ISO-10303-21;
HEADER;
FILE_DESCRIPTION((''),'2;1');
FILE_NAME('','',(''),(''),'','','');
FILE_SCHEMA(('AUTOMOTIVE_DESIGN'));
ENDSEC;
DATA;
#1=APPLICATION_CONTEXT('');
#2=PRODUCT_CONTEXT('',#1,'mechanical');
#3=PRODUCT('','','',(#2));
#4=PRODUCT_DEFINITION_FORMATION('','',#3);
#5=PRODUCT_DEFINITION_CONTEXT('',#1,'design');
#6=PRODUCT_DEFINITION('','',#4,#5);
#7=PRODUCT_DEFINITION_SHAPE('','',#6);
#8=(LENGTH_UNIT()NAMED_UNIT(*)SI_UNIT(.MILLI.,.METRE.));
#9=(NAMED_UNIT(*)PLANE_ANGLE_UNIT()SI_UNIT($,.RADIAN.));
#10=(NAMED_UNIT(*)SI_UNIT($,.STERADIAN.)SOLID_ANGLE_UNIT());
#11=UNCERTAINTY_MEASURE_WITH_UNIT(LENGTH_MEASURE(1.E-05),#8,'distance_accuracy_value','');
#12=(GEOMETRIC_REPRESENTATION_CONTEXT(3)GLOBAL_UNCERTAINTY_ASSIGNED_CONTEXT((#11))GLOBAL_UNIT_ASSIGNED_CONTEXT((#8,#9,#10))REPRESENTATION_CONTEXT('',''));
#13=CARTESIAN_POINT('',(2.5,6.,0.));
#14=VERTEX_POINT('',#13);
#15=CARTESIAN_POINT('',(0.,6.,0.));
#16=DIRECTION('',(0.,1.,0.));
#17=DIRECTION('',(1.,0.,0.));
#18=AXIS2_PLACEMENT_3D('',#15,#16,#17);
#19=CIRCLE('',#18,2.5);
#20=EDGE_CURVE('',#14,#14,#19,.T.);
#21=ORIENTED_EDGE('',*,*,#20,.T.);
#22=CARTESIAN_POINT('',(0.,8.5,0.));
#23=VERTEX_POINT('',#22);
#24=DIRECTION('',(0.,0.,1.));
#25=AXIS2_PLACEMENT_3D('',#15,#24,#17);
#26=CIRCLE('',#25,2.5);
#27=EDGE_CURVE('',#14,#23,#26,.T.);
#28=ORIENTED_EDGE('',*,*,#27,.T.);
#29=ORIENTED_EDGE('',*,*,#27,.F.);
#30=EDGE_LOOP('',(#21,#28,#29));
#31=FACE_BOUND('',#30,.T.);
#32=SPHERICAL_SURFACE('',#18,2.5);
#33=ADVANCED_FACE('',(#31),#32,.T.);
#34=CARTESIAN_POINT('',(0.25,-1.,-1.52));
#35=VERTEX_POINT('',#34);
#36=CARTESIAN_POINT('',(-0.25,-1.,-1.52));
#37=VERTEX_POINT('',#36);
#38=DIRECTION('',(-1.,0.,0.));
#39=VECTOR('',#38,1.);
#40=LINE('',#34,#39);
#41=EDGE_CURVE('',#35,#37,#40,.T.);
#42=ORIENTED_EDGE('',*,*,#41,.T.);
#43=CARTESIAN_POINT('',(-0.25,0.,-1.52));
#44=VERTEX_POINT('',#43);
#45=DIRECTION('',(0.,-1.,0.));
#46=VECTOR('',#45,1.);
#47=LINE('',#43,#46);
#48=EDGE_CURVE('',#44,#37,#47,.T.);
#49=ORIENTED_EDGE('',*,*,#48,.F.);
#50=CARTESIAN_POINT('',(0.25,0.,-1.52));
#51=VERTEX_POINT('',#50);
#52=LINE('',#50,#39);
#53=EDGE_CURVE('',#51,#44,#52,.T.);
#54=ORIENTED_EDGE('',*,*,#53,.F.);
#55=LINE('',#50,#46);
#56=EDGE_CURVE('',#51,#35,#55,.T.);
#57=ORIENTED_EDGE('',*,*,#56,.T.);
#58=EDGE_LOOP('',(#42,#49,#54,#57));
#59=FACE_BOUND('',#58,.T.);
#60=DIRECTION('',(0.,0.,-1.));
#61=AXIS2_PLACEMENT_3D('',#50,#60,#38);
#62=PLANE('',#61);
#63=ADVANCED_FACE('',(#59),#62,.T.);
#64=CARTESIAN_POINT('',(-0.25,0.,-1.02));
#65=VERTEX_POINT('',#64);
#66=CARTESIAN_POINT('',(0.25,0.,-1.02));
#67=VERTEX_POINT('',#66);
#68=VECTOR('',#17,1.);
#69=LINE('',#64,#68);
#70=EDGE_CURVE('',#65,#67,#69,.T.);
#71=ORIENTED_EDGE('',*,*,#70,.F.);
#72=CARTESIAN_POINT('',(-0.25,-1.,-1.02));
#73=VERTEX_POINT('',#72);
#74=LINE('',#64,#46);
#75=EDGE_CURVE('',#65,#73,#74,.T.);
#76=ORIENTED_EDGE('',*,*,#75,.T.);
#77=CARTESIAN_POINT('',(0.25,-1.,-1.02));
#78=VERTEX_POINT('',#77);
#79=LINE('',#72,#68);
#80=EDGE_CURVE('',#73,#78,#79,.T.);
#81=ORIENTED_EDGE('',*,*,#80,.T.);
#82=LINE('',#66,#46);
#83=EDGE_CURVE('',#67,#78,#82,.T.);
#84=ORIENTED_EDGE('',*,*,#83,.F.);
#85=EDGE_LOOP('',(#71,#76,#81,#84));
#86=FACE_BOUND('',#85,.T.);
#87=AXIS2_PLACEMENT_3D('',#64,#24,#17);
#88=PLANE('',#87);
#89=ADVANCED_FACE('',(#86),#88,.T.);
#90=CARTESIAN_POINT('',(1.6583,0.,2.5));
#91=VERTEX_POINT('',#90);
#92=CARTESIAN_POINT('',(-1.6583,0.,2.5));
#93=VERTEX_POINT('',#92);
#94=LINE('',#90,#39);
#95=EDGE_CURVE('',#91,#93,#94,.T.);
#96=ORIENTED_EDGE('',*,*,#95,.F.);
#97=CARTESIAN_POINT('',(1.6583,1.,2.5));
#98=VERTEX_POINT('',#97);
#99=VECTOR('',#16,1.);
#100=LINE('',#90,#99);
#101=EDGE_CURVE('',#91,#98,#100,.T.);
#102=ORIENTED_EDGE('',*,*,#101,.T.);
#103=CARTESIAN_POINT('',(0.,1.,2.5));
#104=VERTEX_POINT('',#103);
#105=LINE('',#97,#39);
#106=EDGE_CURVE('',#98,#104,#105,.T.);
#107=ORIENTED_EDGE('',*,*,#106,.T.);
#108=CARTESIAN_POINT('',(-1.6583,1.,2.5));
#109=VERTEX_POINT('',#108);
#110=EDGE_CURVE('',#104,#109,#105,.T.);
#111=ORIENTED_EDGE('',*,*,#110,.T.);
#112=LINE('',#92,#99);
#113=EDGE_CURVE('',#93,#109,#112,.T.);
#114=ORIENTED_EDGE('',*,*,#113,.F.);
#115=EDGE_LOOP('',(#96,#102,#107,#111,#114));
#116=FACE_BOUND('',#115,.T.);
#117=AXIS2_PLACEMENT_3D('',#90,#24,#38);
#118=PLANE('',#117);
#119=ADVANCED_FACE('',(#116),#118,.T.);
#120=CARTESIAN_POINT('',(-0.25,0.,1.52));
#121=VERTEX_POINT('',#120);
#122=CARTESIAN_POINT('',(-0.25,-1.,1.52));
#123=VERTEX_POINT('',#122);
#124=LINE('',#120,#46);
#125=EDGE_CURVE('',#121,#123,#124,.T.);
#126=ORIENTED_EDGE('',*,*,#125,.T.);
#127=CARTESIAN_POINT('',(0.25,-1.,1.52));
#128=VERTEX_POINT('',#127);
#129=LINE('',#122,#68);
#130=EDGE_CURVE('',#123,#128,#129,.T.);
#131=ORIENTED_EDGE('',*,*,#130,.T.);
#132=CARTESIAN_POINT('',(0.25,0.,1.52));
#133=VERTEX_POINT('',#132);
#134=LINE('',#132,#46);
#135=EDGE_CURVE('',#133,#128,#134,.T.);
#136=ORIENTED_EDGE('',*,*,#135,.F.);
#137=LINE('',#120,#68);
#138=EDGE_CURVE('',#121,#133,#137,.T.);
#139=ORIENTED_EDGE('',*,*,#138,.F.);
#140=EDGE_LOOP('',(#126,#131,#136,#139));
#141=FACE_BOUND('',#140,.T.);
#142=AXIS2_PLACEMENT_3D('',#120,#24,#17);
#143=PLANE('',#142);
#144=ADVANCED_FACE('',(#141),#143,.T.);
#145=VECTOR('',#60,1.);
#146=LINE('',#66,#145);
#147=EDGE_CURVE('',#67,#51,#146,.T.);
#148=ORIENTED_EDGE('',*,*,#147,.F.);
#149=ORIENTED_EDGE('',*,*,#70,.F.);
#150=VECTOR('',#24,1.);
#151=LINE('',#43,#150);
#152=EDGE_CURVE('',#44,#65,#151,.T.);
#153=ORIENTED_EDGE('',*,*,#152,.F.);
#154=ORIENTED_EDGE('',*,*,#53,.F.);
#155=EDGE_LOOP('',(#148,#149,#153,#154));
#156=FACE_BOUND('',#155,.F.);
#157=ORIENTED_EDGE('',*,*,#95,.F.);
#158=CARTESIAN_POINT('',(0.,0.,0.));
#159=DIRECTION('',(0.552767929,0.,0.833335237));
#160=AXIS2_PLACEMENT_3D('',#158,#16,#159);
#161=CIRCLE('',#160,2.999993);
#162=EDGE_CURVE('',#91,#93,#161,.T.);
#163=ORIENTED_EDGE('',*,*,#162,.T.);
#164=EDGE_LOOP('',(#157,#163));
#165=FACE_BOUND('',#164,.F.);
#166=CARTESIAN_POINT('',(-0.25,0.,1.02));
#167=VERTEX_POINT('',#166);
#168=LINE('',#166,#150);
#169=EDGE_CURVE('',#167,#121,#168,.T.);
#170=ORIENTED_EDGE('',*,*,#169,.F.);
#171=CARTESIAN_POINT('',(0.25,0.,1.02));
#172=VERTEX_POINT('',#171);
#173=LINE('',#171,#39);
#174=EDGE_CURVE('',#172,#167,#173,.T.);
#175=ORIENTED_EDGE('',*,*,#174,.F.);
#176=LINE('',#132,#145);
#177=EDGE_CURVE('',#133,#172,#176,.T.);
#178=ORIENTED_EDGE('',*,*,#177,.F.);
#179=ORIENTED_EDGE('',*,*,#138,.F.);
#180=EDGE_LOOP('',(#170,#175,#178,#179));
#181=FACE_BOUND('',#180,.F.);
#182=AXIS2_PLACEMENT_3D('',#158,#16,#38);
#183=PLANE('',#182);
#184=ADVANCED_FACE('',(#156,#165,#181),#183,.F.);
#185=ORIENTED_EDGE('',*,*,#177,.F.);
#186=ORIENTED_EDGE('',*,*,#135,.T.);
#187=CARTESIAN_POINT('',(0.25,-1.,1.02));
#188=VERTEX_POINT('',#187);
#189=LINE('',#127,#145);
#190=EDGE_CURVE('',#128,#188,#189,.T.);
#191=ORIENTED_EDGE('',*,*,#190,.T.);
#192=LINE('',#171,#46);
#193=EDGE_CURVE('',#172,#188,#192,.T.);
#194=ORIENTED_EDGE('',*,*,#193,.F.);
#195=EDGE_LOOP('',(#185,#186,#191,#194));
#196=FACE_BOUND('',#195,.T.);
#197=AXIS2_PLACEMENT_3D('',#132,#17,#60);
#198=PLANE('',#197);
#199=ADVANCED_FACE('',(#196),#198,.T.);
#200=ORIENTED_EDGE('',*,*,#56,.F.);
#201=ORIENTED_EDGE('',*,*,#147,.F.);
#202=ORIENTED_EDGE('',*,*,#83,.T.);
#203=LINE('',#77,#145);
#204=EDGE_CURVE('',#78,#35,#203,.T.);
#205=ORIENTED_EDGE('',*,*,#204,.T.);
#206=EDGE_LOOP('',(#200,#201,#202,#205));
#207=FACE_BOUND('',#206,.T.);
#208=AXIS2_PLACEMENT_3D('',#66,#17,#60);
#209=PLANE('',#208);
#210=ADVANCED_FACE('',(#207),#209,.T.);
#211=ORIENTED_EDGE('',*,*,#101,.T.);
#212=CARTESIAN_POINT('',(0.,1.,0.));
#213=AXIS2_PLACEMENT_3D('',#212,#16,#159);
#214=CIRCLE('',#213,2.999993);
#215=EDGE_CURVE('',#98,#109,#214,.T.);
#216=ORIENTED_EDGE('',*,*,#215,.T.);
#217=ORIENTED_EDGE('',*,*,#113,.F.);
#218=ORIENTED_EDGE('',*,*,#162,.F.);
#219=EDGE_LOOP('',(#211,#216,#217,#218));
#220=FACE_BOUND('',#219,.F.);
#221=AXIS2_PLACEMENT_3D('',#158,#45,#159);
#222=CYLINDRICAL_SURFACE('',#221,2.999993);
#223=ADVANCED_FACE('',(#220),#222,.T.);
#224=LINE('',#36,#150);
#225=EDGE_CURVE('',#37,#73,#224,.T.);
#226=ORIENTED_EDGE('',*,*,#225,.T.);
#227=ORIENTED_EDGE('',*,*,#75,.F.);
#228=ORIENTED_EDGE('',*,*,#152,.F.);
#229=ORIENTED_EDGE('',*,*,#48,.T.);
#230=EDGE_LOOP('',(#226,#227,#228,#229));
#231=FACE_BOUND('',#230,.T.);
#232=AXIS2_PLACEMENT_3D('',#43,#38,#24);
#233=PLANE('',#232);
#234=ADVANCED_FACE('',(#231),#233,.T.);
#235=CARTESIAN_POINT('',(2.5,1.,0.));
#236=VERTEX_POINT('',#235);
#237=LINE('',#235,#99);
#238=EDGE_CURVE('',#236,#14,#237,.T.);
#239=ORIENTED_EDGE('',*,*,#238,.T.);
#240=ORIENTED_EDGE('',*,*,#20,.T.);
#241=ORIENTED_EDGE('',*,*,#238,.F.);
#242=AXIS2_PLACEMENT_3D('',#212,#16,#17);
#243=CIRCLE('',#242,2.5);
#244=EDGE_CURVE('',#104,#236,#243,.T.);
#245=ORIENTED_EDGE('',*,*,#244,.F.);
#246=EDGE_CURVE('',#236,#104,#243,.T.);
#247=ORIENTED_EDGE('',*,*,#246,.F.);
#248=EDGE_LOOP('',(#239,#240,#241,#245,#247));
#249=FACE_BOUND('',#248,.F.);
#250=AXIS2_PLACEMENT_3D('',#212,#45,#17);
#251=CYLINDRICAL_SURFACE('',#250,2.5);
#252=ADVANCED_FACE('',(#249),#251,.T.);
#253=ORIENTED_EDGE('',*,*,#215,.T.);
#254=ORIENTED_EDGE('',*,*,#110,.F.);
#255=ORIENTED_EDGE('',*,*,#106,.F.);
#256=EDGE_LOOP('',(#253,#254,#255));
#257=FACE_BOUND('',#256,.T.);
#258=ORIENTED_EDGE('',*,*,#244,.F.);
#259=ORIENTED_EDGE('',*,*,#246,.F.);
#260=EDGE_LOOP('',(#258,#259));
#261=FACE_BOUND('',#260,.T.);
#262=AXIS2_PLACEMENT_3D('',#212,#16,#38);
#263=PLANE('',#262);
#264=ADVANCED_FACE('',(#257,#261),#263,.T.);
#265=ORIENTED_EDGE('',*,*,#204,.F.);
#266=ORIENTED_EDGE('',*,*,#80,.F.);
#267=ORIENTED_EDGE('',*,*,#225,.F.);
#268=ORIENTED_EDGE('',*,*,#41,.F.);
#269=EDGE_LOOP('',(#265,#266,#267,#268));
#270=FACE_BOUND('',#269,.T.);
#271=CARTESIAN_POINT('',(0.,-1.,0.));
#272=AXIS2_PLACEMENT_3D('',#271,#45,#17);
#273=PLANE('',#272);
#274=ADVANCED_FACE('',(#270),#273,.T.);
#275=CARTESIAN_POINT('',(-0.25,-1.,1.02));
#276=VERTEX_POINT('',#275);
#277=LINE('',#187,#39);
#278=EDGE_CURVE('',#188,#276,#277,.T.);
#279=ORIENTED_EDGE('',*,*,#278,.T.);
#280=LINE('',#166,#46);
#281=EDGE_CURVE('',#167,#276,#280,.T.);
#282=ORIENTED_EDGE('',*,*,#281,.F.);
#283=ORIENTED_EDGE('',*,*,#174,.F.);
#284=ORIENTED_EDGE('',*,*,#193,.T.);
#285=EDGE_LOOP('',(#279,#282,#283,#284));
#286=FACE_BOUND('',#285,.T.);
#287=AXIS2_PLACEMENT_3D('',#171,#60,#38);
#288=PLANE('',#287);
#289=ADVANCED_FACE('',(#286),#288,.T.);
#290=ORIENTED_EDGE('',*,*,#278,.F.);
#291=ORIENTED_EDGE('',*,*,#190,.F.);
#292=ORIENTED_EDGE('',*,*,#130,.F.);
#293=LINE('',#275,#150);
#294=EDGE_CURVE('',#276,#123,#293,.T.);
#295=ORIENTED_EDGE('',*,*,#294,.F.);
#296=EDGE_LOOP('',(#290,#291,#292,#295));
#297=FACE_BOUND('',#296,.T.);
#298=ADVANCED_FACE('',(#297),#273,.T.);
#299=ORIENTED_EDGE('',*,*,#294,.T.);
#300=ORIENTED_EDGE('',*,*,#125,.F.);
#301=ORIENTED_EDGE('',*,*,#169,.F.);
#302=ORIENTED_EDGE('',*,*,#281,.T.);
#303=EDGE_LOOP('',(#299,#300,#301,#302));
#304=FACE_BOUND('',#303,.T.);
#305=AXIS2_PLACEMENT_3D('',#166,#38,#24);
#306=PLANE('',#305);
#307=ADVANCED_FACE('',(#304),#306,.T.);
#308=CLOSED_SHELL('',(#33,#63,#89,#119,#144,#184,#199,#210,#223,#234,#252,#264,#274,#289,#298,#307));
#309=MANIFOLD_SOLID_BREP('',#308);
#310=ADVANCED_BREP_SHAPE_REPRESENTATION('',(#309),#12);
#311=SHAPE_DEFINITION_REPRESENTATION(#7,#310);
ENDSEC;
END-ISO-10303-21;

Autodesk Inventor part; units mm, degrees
ref_plane "YZ Plane" through (0, 0, 0) normal (1, 0, 0) x (0, 1, 0)
ref_plane "XZ Plane" through (0, 0, 0) normal (0, 1, 0) x (-1, 0, 0)
ref_plane "XY Plane" through (0, 0, 0) normal (0, 0, 1) x (1, 0, 0)
sketch "Sketch1" plane through (0, 0, 0) normal (0, 1, 0) x (-1, 0, 0)
  arc A0 (-1.6583, 2.5) -> (1.6583, 2.5) centre (0, 0) ccw
  circle A1 centre (0, 0) radius 2.5
  line L0 (-1.6583, 2.5) -> (1.6583, 2.5)
  dimension "d0" = 6
  dimension "d1" = 5
extrude "Extrusion3" add sketch "Sketch1" along normal blind 1 contours A1 | L0 A0
sketch "Sketch2" plane through (0, 1, 0) normal (0, 1, 0) x (1, 0, 0)
  circle A0 centre (0, 0) radius 2.5 projected
  point P0 (0, -2.5)
extrude "Extrusion5" add sketch "Sketch2" along normal blind 7.5
fillet "Fillet2" radius 2.5 1 edges at (-2.5, 8.5, 0)
sketch "Sketch3" plane through (0, 0, 0) normal (0, -1, 0) x (1, 0, 0)
  line L0 (-0.25, 1.52) -> (0.25, 1.52)
  line L1 (0.25, 1.52) -> (0.25, 1.02)
  line L2 (0.25, 1.02) -> (-0.25, 1.02)
  line L3 (-0.25, 1.02) -> (-0.25, 1.52)
  line L4 (-0.25, -1.02) -> (0.25, -1.02)
  line L5 (0.25, -1.02) -> (0.25, -1.52)
  line L6 (0.25, -1.52) -> (-0.25, -1.52)
  line L7 (-0.25, -1.52) -> (-0.25, -1.02)
  line L8 (-0.3964, 1.27) -> (0.6648, 1.27) construction
  line L9 (-0.5129, -1.27) -> (0.7016, -1.27) construction
  line L10 (-1.0602, 0) -> (0.7998, 0) construction
  point P0 (0, 0)
  point P1 (0.25, -1.27)
  point P2 (0.25, 1.27)
  point P3 (0, 1.02)
  dimension "d18" = 0.5
  dimension "d19" = 2.54
extrude "Extrusion6" add sketch "Sketch3" along normal blind 1
properties part number "LED"
